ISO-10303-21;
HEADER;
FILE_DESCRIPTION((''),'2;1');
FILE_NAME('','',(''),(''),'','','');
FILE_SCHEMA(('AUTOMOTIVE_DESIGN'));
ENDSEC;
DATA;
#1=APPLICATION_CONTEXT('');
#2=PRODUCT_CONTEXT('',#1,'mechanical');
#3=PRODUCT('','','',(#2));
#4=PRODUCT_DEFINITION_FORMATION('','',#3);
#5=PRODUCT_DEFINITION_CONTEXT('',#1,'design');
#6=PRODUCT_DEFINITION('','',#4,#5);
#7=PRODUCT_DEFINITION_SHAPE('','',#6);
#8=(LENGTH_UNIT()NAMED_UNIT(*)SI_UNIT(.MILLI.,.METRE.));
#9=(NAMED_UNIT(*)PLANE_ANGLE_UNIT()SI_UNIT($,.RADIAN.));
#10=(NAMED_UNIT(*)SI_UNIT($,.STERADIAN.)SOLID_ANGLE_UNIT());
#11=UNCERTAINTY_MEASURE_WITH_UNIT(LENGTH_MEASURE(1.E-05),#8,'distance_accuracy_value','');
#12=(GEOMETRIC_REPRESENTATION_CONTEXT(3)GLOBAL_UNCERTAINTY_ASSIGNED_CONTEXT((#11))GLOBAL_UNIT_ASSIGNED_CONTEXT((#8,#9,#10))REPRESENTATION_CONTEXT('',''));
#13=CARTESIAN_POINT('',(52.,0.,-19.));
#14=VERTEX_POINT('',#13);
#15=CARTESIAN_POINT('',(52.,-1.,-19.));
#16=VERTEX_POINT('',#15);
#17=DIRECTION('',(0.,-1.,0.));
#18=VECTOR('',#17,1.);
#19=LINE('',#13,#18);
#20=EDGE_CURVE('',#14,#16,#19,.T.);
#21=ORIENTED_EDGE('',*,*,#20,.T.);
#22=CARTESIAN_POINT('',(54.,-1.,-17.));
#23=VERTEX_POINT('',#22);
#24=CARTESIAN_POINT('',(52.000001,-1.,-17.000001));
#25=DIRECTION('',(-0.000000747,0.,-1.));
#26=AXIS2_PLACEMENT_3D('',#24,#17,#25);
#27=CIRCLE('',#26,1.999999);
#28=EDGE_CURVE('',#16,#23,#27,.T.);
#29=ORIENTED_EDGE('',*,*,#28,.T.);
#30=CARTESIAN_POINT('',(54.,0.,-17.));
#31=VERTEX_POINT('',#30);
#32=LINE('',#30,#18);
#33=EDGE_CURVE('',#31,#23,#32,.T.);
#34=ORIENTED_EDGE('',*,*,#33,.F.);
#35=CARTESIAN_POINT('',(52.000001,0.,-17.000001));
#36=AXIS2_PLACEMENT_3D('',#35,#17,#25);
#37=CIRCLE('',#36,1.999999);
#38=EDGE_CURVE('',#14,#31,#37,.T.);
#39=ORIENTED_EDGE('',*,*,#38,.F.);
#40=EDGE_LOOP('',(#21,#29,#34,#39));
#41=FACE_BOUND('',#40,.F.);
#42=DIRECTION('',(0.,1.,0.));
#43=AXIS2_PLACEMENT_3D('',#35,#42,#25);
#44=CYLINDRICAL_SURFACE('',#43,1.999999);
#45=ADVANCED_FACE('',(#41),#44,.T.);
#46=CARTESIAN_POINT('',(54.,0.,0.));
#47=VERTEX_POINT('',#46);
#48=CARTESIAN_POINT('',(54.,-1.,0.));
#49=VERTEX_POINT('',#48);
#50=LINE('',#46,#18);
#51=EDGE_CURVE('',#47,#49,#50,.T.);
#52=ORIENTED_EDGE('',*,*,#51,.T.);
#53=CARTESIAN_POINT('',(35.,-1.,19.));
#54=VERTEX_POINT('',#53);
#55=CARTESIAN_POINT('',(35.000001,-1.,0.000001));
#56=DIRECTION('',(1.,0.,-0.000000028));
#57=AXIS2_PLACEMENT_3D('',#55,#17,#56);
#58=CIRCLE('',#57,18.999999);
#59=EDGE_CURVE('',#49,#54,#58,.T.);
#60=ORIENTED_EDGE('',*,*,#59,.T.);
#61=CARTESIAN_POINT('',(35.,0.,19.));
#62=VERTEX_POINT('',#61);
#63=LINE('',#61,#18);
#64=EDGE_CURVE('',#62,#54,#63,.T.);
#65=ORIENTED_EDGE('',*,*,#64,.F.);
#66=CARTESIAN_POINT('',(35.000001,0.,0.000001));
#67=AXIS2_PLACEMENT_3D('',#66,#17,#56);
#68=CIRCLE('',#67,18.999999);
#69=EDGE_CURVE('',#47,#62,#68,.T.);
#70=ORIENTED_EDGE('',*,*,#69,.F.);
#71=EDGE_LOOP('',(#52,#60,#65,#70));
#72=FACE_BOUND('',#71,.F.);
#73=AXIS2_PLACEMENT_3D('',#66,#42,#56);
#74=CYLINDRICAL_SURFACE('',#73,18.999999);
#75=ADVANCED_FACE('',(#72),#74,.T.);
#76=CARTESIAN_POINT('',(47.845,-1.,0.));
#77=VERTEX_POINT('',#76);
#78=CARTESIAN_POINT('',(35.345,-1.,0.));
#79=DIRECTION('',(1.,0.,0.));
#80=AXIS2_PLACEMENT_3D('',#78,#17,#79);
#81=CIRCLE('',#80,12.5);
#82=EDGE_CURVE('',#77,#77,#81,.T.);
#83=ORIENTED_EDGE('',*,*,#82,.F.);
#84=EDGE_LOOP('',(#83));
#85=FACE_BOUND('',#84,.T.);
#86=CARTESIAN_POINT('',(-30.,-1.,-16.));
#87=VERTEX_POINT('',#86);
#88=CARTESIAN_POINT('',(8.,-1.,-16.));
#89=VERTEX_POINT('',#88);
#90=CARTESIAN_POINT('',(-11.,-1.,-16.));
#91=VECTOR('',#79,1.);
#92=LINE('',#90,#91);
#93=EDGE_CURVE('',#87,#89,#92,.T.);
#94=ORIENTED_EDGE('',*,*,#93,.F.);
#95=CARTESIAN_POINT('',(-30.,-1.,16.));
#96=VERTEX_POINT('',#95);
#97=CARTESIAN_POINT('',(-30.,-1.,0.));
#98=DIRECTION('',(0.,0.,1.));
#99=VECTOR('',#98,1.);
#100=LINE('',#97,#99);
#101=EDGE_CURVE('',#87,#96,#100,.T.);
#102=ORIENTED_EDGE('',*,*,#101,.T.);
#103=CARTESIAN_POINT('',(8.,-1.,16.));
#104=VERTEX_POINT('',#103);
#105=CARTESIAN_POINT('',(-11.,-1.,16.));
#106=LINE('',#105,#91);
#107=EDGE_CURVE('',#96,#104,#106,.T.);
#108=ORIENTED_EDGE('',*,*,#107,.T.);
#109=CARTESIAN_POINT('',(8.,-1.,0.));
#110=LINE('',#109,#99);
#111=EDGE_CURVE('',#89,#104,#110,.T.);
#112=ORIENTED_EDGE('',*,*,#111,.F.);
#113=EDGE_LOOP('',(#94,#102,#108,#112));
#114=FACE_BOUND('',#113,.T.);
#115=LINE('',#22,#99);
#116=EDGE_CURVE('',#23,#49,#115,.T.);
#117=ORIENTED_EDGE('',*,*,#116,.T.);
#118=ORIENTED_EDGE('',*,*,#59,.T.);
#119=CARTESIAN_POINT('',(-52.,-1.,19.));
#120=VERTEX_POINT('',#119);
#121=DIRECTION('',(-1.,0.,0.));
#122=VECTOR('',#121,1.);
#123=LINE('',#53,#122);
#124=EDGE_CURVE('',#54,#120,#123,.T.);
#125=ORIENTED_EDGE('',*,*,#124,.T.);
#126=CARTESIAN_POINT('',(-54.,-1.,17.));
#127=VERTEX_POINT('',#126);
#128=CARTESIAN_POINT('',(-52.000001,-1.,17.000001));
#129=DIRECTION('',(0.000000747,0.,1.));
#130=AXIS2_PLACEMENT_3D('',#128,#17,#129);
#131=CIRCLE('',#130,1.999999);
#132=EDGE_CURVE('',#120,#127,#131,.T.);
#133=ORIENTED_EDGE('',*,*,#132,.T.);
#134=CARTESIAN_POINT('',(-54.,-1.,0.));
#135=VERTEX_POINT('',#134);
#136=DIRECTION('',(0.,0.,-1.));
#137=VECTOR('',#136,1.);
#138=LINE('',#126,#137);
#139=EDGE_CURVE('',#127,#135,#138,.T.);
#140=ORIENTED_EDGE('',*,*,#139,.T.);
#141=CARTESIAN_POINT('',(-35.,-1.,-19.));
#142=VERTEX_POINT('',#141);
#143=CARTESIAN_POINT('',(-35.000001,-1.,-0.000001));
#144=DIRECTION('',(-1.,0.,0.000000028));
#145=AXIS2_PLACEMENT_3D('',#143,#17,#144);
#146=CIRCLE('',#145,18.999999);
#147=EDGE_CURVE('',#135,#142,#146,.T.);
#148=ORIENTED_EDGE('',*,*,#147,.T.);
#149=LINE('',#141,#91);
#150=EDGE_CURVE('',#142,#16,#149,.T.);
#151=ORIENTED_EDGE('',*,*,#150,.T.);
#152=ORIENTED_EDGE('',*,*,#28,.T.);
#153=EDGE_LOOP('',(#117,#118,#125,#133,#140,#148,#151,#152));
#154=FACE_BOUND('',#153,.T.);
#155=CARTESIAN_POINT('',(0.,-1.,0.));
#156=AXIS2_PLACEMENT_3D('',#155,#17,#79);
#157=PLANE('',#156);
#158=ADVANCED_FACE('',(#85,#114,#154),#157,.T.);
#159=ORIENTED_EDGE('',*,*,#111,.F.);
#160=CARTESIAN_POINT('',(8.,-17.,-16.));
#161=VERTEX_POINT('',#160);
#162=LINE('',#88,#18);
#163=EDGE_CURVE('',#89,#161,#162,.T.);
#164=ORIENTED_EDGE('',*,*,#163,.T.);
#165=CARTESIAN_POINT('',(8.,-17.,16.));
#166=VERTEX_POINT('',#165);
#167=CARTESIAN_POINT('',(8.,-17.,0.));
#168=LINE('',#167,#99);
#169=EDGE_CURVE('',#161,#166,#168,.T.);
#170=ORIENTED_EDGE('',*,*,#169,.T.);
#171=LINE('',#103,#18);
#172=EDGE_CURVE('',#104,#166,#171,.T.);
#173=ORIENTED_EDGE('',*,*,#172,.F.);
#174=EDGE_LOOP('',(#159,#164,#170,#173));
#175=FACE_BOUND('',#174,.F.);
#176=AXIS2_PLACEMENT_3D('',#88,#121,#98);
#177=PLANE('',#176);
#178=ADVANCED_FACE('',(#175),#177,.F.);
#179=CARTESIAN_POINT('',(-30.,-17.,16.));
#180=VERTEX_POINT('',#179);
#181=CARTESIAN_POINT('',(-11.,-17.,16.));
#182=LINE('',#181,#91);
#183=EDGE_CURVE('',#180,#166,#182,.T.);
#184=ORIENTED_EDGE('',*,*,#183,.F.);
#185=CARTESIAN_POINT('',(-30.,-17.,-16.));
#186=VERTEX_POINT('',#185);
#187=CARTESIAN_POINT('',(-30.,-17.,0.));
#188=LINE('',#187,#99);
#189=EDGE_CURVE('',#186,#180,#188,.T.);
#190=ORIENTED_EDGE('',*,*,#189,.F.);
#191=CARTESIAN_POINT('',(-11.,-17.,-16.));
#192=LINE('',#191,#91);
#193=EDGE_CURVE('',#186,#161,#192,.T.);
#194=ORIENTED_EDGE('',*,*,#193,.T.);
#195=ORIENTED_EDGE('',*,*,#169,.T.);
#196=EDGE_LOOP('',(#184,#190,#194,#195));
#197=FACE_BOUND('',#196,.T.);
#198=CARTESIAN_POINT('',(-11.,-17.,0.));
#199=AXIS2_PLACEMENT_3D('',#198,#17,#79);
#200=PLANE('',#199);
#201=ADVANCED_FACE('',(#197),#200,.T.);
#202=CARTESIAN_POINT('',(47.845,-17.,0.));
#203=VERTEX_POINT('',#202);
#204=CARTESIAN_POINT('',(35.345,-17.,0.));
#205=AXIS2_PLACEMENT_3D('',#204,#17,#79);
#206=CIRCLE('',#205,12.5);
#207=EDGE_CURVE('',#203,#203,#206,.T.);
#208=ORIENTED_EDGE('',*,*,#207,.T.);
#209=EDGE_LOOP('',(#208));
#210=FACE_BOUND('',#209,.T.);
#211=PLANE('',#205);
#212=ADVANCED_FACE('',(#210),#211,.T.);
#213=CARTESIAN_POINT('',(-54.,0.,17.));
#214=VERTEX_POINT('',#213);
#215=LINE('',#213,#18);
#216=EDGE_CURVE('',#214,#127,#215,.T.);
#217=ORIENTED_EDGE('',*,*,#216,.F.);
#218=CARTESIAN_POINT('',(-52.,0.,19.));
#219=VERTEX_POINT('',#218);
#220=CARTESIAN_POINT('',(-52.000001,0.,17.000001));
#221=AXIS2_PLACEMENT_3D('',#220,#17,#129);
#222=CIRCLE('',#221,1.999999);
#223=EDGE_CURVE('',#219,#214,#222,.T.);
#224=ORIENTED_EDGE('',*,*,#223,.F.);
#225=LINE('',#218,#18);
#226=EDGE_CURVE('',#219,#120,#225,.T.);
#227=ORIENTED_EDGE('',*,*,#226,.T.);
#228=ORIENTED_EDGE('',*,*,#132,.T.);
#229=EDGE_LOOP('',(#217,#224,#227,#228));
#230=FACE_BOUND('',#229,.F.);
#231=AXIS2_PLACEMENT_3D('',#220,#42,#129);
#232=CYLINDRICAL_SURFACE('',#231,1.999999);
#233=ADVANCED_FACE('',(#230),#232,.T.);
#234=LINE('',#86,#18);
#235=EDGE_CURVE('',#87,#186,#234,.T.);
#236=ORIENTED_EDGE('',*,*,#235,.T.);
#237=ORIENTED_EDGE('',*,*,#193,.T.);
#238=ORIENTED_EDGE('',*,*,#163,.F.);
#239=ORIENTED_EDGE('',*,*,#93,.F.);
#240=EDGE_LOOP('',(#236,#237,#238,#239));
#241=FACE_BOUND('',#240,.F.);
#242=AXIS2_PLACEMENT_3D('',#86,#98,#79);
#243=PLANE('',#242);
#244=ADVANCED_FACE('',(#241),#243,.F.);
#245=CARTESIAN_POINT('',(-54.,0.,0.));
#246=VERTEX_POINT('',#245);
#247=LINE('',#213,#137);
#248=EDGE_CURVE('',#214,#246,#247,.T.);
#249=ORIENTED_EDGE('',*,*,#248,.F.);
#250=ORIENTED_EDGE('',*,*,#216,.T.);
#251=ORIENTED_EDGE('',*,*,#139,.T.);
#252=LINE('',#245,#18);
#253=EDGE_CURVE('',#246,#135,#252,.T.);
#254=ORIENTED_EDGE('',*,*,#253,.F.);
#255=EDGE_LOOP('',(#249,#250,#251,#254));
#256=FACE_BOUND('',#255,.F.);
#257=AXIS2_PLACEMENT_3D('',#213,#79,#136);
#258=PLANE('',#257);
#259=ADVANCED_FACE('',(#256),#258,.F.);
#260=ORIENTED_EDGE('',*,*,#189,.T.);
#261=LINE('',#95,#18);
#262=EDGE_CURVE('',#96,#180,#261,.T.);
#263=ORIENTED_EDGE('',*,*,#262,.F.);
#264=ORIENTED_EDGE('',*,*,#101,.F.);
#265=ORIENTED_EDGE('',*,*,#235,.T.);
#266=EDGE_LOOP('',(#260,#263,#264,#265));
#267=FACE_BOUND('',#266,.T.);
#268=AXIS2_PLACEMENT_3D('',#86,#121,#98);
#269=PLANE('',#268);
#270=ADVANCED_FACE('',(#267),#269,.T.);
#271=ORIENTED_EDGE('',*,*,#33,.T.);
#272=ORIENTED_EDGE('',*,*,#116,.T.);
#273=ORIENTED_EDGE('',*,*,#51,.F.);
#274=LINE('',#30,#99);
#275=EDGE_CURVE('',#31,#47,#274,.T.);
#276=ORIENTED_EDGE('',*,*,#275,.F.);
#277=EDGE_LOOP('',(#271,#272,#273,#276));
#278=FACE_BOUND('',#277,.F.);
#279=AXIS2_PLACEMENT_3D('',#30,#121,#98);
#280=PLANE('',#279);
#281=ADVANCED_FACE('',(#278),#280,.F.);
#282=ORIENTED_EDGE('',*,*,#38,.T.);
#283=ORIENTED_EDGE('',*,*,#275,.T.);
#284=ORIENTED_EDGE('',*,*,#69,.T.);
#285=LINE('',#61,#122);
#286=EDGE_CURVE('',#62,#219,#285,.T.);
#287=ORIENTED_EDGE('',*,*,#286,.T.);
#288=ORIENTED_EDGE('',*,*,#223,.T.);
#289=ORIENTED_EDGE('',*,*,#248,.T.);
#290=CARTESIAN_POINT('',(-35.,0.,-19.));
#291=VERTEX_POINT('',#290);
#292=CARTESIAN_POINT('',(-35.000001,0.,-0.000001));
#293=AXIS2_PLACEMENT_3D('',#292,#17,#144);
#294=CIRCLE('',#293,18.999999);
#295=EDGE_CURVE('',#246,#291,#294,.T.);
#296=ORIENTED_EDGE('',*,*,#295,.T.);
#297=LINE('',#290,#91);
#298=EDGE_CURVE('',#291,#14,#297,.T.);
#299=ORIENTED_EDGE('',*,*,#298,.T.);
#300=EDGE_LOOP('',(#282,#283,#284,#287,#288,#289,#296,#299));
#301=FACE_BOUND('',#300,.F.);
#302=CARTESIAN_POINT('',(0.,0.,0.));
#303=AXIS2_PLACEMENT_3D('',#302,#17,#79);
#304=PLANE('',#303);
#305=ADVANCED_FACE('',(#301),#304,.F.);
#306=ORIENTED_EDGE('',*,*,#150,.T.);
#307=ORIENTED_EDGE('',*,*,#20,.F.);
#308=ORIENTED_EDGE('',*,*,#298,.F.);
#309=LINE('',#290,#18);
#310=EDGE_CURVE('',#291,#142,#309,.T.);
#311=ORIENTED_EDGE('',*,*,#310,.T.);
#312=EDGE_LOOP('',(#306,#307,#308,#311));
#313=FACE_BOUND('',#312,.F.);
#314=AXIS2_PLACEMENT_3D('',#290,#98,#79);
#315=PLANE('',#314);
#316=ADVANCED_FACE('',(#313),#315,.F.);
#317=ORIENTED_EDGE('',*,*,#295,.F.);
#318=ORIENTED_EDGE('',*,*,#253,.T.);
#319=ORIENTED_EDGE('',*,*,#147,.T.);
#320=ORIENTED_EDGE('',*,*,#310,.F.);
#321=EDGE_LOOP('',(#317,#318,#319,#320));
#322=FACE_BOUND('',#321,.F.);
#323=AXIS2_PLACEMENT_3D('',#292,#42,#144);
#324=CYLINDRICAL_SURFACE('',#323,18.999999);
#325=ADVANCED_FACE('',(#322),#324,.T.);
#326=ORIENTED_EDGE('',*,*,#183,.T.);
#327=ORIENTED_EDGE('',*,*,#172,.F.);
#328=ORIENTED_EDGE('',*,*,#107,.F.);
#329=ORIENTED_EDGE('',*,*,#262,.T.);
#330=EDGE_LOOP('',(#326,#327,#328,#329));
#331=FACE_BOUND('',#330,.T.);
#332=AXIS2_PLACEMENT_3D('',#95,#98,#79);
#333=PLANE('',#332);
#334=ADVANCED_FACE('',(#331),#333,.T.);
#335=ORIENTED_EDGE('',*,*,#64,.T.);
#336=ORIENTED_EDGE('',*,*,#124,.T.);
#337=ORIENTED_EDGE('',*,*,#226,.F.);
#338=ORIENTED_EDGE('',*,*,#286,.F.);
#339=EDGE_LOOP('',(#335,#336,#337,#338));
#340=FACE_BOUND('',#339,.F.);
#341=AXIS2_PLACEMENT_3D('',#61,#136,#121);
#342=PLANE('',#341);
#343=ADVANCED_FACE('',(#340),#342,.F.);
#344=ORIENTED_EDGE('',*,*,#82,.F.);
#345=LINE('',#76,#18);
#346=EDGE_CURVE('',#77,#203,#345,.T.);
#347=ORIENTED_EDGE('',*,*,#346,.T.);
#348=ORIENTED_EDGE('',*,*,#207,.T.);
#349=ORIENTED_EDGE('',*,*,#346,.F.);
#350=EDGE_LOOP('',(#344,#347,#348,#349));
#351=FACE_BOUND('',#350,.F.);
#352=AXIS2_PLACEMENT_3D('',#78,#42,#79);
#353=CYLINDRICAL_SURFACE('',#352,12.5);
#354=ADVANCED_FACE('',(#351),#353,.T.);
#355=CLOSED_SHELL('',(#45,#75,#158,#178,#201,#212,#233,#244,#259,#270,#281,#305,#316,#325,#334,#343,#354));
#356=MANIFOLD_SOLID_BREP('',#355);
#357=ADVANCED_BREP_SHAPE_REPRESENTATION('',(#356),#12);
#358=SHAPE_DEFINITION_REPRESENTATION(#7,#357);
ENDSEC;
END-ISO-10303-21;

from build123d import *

# Parameters (mm, degrees)
F1_DEPTH = 1
F2_W     = 38
F2_H     = 32
F2_R     = 12.5
F3_DEPTH = 16


with BuildPart() as f1:
    # F0 (on Front) → F1 (new body)
    with BuildSketch(Plane.XZ):
        with BuildLine():
            ThreePointArc((54, 0), (48.435029, 13.435029), (35, 19))
            Line((35, 19), (-52, 19))
            ThreePointArc((-52, 19), (-53.414214, 18.414214), (-54, 17))
            Line((-54, 17), (-54, 0))
            ThreePointArc((-54, 0), (-48.435029, -13.435029), (-35, -19))
            Line((-35, -19), (52, -19))
            ThreePointArc((52, -19), (53.414214, -18.414214), (54, -17))
            Line((54, -17), (54, 0))
        make_face()
    extrude(amount=F1_DEPTH)

    # F2 (on face) → F3 (join)
    with BuildSketch(Plane.XZ.offset(1)):
        with Locations((-11, 0)):
            Rectangle(F2_W, F2_H)
        with Locations((35.345, 0)):
            Circle(F2_R)
    extrude(amount=F3_DEPTH)


solid = f1.part
